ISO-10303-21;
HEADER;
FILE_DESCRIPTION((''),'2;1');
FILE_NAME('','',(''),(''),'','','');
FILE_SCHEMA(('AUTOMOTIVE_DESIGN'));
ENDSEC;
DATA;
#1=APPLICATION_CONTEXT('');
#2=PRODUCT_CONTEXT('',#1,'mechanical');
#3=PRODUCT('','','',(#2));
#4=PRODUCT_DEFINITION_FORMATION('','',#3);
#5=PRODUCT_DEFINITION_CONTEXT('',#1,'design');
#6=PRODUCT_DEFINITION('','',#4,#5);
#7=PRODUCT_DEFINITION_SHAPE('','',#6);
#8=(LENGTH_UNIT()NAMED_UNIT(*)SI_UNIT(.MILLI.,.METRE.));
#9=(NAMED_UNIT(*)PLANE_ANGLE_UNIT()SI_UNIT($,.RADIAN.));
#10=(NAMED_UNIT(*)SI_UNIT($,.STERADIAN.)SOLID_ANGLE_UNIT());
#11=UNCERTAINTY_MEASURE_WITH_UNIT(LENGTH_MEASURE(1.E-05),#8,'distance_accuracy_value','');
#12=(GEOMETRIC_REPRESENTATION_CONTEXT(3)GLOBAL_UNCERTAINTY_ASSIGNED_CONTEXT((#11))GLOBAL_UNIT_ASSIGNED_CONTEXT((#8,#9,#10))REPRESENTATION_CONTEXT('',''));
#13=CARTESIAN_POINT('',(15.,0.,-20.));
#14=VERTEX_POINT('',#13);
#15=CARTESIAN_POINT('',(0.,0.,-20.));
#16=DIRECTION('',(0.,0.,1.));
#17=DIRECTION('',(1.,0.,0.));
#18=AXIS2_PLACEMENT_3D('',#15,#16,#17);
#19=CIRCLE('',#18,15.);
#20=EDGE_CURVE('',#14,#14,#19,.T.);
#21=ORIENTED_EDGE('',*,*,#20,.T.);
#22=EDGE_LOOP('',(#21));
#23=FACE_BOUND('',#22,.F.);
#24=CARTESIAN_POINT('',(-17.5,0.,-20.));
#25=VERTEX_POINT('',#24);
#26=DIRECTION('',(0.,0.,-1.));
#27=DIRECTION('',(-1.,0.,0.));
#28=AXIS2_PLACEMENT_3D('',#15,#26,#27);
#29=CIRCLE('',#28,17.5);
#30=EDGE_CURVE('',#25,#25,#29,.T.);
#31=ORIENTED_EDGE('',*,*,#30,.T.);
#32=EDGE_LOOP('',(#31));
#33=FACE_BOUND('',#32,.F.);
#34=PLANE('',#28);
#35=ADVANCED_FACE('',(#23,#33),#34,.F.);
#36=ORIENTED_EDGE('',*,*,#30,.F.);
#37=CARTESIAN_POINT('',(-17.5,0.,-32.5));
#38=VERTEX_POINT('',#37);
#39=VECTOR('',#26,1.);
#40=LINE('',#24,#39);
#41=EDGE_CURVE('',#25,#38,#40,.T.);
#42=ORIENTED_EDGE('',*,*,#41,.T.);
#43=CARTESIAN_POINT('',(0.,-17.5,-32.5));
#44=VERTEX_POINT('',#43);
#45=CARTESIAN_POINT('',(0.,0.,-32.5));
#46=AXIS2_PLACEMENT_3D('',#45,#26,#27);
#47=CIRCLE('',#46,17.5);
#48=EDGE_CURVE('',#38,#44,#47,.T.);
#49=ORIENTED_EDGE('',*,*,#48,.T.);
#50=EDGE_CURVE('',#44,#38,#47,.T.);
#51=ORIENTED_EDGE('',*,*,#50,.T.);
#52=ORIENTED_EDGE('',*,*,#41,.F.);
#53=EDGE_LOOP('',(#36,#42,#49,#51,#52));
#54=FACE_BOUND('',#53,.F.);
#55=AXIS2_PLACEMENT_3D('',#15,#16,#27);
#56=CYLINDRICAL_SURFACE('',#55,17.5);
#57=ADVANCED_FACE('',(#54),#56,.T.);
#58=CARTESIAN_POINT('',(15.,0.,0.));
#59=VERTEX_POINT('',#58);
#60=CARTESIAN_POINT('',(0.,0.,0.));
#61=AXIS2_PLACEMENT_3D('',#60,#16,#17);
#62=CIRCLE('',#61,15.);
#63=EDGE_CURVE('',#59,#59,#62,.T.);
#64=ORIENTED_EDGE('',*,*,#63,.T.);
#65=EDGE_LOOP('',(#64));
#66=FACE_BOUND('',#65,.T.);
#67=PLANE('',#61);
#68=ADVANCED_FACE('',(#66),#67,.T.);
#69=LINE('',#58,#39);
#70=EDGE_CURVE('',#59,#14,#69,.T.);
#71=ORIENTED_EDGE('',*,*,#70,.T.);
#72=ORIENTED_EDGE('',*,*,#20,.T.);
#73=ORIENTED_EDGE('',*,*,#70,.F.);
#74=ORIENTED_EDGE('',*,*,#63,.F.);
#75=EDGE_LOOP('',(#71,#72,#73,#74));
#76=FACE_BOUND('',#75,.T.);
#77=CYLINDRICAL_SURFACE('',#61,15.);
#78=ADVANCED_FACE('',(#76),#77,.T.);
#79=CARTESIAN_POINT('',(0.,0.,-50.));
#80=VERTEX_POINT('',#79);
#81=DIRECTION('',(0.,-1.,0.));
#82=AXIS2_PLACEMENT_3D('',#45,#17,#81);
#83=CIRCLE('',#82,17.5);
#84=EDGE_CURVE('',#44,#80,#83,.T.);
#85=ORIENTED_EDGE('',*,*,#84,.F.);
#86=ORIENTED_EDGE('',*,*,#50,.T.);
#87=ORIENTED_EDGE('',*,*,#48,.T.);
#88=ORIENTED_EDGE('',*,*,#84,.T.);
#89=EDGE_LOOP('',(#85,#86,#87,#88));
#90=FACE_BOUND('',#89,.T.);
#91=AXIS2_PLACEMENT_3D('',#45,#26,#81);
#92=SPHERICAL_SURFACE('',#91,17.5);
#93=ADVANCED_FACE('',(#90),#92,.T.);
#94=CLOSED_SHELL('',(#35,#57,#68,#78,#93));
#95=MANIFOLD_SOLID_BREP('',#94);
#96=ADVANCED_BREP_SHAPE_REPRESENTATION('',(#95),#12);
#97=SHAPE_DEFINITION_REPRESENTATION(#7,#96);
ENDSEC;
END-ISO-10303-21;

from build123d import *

# Parameters (mm, degrees)
IZIM3_R                     = 15
Y_KSEKLIK_EKSTR_ZYON1_DEPTH = 20
IZIM4_R                     = 17.5
Y_KSEKLIK_EKSTR_ZYON2_DEPTH = 12.5


with BuildPart() as part:
    # Çizim3 → Yükseklik-Ekstrüzyon1 (new body)
    with BuildSketch(Plane.XY):
        Circle(IZIM3_R)
    extrude(amount=-Y_KSEKLIK_EKSTR_ZYON1_DEPTH)

    # Çizim4 → Yükseklik-Ekstrüzyon2 (add)
    with BuildSketch(Plane(origin=(0, 0, -20), x_dir=(-1, 0, 0), z_dir=(0, 0, -1))):
        Circle(IZIM4_R)
    extrude(amount=Y_KSEKLIK_EKSTR_ZYON2_DEPTH)

    # Çizim5 → Döndür4 (revolve)
    with BuildSketch(Plane(origin=(0, 0, 0), x_dir=(0, 0, -1), z_dir=(1, 0, 0))):
        with BuildLine():
            Line((50, 0), (32.5, 0))
            Line((32.5, 0), (32.5, -17.5))
            ThreePointArc((32.5, -17.5), (44.874368671, -12.374368671), (50, 0))
        make_face()
    revolve(axis=Axis((0, 0, -32.5), (0, 0, -1)))


solid = part.part
